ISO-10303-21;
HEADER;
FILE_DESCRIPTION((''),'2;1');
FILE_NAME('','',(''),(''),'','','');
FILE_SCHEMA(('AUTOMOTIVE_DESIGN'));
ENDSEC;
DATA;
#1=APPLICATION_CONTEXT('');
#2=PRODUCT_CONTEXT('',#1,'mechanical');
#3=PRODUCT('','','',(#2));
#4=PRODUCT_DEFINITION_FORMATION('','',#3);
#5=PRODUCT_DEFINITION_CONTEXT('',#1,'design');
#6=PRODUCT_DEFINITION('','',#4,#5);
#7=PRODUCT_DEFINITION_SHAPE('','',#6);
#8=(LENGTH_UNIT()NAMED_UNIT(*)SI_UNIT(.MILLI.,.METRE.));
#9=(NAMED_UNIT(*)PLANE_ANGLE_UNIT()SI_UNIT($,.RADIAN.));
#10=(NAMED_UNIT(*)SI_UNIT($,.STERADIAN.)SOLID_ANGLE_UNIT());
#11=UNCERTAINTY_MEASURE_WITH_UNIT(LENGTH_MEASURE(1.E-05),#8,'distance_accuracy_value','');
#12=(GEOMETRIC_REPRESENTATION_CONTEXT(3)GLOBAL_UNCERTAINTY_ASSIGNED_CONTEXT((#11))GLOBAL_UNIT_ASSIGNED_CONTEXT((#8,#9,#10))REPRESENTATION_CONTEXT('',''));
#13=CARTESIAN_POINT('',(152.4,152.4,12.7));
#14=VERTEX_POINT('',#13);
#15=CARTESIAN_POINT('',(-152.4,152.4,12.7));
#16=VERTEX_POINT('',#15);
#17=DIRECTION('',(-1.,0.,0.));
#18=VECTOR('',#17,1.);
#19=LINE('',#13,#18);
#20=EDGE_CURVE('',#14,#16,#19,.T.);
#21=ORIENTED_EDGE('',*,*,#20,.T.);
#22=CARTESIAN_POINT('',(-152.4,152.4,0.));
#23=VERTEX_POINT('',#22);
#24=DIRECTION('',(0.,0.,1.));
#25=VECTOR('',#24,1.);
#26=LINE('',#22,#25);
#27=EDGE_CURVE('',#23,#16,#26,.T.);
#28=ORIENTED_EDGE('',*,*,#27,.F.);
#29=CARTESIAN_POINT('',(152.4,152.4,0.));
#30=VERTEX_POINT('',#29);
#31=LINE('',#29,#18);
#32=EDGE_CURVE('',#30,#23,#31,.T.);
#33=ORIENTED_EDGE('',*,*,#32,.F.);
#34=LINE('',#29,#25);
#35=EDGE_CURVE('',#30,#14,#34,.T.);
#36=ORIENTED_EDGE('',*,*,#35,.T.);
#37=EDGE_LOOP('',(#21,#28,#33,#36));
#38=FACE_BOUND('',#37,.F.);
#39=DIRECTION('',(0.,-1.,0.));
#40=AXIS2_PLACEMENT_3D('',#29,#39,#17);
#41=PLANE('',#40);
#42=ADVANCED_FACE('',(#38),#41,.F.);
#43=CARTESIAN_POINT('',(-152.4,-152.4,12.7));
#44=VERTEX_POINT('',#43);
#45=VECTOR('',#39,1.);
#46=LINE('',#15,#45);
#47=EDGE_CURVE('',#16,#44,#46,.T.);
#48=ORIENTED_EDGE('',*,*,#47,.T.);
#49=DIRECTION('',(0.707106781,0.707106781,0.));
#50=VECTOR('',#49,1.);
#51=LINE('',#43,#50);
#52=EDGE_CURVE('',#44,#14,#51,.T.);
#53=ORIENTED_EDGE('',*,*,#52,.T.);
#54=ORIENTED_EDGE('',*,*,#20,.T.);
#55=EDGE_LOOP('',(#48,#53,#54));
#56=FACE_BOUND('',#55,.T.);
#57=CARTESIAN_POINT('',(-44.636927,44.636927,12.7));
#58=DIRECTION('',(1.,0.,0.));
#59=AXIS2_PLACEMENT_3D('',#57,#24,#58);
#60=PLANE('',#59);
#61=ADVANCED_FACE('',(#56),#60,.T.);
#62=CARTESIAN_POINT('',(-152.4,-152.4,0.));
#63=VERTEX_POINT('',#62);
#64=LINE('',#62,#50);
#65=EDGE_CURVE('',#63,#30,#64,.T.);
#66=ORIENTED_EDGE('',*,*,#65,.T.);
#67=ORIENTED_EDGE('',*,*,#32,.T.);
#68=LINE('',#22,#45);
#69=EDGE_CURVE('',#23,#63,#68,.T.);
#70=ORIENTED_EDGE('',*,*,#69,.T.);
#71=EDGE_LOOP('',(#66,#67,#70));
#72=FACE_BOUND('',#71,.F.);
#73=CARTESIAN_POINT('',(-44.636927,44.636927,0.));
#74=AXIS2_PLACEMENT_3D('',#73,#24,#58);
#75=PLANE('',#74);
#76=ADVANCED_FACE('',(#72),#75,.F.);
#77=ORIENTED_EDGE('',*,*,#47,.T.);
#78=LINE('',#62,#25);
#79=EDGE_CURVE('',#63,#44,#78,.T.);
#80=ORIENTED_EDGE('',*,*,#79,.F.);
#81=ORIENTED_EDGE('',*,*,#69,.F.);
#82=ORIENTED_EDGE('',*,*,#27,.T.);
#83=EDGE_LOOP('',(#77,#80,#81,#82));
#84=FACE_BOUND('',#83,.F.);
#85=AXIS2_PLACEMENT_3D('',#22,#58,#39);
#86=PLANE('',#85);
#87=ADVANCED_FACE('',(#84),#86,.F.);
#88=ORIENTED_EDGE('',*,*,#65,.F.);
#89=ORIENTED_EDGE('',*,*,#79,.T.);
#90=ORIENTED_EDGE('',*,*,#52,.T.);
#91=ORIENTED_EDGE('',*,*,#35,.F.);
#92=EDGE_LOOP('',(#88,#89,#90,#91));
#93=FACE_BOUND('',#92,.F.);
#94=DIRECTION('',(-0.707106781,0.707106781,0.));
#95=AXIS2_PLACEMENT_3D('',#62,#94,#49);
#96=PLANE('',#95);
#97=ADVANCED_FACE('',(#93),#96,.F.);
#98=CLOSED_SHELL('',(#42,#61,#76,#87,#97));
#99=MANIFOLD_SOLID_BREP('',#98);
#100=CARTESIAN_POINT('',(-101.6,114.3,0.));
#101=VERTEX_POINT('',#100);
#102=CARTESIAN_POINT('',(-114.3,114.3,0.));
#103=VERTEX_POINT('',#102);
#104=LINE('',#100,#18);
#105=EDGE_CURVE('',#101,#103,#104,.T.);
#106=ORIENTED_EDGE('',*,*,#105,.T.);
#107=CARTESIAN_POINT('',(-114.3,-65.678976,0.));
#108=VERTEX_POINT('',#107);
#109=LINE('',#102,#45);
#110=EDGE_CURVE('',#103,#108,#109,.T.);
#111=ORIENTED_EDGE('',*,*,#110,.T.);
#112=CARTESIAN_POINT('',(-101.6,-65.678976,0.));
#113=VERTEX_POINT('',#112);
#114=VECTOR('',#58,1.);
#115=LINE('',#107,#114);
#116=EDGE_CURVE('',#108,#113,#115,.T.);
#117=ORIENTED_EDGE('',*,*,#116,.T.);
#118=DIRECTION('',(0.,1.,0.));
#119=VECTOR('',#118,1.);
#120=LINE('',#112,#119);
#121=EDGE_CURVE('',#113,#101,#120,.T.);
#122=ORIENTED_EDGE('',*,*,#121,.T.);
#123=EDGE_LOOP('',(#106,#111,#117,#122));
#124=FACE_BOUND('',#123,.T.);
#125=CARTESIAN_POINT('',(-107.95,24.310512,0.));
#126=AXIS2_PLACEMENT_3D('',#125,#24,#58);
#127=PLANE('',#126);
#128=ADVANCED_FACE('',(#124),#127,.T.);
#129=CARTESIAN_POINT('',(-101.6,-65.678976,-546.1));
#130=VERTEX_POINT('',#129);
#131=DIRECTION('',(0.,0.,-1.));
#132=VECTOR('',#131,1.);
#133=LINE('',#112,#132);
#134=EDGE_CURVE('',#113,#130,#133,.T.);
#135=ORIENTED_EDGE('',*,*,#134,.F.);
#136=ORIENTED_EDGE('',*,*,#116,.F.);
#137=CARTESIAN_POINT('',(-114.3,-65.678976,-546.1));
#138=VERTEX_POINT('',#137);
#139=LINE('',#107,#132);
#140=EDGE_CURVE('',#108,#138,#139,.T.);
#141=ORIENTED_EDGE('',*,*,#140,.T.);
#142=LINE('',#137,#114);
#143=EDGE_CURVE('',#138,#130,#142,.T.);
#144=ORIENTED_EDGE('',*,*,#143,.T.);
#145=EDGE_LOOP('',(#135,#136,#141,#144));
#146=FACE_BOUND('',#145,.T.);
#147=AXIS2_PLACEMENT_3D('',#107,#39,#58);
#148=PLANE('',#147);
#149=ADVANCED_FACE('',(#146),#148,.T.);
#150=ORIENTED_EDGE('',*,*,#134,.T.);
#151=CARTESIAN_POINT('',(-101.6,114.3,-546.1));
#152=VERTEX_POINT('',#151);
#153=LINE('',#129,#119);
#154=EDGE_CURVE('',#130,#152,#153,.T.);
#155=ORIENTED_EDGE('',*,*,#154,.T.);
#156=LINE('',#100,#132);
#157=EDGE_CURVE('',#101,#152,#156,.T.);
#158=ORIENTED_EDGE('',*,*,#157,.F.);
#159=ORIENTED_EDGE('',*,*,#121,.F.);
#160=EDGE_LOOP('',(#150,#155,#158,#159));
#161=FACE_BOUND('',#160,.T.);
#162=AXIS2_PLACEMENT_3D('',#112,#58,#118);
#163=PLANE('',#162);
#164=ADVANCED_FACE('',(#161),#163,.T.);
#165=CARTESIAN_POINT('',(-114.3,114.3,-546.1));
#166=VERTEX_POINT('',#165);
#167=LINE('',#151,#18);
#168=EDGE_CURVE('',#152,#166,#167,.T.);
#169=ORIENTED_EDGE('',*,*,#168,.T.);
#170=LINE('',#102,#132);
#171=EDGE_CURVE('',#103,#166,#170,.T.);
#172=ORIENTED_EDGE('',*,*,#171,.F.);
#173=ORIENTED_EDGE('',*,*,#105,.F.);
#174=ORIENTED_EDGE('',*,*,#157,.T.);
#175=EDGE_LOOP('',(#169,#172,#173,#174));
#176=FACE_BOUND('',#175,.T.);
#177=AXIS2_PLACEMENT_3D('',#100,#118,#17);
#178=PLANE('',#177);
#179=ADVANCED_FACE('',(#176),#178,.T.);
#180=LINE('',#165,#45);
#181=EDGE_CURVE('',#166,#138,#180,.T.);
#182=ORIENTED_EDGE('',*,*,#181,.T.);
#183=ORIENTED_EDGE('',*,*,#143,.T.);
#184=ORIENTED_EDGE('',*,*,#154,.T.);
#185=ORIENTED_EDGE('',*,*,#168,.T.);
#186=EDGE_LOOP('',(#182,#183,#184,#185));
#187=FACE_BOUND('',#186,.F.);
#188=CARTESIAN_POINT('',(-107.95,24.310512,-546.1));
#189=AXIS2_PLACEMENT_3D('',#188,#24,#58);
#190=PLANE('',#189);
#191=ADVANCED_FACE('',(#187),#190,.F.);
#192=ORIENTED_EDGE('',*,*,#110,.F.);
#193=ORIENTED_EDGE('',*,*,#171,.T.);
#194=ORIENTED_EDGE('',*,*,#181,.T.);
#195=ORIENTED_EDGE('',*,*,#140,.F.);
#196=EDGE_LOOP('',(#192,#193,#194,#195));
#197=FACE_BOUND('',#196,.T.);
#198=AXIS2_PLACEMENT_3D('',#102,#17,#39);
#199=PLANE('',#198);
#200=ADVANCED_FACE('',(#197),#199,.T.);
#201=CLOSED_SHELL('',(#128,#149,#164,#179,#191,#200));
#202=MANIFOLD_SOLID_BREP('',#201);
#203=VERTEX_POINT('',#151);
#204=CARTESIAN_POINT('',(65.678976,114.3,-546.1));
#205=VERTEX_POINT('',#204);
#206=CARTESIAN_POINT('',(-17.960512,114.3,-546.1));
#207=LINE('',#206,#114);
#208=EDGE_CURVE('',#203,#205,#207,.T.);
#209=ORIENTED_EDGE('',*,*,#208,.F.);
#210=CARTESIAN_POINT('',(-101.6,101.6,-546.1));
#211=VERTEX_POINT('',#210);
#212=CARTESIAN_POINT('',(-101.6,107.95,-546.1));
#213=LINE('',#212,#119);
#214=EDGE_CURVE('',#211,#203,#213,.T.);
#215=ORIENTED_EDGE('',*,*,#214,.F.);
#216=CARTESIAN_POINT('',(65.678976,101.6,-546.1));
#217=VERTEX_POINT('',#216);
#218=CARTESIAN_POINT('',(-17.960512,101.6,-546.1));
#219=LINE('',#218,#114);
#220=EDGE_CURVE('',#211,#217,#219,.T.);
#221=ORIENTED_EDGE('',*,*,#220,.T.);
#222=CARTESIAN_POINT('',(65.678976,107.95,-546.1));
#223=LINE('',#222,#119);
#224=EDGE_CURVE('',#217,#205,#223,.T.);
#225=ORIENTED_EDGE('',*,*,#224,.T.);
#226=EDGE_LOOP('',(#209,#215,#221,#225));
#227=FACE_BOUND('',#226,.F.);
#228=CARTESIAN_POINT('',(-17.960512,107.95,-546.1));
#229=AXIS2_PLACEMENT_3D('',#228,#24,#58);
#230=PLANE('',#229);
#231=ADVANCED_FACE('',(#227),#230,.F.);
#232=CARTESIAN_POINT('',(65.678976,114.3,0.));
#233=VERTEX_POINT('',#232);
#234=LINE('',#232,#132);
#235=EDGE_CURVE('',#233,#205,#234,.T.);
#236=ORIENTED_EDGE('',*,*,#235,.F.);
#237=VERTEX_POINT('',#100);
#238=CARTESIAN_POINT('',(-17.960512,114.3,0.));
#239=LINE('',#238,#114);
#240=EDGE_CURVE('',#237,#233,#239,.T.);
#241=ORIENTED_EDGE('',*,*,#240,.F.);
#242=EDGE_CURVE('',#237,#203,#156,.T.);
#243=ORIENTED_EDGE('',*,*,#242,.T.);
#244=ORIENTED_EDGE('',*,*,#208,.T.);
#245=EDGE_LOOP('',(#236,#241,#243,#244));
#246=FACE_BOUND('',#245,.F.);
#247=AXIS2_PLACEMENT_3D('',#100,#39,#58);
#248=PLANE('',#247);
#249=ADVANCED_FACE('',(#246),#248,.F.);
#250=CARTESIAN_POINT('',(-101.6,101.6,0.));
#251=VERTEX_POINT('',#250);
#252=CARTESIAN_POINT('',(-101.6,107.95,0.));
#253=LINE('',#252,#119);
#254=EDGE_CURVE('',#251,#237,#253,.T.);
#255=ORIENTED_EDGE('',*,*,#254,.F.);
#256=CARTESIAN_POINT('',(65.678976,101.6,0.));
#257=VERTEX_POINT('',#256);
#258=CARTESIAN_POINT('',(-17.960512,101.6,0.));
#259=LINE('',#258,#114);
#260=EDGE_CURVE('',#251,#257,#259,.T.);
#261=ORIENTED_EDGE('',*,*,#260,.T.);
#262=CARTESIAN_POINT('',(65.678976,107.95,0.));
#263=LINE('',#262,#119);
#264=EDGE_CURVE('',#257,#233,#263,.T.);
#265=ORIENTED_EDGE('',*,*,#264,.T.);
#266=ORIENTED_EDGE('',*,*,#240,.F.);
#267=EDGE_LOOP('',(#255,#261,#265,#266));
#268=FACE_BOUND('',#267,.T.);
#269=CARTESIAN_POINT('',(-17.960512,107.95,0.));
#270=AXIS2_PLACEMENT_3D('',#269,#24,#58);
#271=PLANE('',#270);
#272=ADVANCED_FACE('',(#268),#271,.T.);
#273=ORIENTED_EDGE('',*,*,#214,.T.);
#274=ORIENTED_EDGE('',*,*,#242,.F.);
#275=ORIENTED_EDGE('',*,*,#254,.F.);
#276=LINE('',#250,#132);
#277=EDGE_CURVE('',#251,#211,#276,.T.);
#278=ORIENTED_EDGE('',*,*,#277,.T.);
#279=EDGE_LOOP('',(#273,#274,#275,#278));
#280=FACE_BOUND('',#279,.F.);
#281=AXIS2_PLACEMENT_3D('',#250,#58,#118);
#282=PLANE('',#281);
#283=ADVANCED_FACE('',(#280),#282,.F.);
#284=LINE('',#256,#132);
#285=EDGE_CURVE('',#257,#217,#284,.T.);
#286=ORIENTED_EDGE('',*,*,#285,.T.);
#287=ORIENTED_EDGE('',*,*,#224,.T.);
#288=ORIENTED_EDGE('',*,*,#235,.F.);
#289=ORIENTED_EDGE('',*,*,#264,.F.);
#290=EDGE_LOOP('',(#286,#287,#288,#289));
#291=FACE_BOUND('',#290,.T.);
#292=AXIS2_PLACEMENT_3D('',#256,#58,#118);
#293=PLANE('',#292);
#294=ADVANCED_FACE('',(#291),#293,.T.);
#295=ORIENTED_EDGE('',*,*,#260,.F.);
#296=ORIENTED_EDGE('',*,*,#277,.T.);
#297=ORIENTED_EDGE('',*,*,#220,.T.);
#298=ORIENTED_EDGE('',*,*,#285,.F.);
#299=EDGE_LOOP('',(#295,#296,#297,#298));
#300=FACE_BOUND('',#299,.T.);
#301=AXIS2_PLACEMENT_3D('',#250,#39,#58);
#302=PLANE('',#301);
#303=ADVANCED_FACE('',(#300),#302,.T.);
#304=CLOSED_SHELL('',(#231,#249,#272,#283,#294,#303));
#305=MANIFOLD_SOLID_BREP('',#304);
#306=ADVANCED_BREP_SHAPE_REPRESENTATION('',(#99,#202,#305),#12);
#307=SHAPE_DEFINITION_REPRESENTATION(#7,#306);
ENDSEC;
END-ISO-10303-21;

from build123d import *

# Parameters (mm, degrees)
F0_W     = 167.278976
F0_H     = 12.7
F1_DEPTH = 12.7
F2_DEPTH = 546.1
F3_DEPTH = 546.1


with BuildPart() as f1:
    # F0 (on Top) → F1 (new body)
    with BuildSketch(Plane.XY):
        Polygon((-152.4, -152.4), (152.4, 152.4), (-152.4, 152.4), align=None)
        Polygon((-114.3, -65.678976), (-114.3, 114.3), (-101.6, 114.3), (65.678976, 114.3), (65.678976, 101.6), (-101.6, 101.6), (-101.6, -65.678976), align=None, mode=Mode.SUBTRACT)
        Polygon((-101.6, 114.3), (-114.3, 114.3), (-114.3, -65.678976), (-101.6, -65.678976), (-101.6, 101.6), align=None)
        with Locations((-17.960512, 107.95)):
            Rectangle(F0_W, F0_H)
    extrude(amount=F1_DEPTH)


with BuildPart() as f2:
    # F0 (on Top) → F2 (new body)
    with BuildSketch(Plane.XY):
        Polygon((-101.6, 114.3), (-114.3, 114.3), (-114.3, -65.678976), (-101.6, -65.678976), (-101.6, 101.6), align=None)
    extrude(amount=-F2_DEPTH)


with BuildPart() as f3:
    # F0 (on Top) → F3 (new body, through all)
    with BuildSketch(Plane.XY):
        with Locations((-17.960512, 107.95)):
            Rectangle(F0_W, F0_H)
    extrude(amount=-F3_DEPTH)


solid = Compound([f1.part, f2.part, f3.part])
